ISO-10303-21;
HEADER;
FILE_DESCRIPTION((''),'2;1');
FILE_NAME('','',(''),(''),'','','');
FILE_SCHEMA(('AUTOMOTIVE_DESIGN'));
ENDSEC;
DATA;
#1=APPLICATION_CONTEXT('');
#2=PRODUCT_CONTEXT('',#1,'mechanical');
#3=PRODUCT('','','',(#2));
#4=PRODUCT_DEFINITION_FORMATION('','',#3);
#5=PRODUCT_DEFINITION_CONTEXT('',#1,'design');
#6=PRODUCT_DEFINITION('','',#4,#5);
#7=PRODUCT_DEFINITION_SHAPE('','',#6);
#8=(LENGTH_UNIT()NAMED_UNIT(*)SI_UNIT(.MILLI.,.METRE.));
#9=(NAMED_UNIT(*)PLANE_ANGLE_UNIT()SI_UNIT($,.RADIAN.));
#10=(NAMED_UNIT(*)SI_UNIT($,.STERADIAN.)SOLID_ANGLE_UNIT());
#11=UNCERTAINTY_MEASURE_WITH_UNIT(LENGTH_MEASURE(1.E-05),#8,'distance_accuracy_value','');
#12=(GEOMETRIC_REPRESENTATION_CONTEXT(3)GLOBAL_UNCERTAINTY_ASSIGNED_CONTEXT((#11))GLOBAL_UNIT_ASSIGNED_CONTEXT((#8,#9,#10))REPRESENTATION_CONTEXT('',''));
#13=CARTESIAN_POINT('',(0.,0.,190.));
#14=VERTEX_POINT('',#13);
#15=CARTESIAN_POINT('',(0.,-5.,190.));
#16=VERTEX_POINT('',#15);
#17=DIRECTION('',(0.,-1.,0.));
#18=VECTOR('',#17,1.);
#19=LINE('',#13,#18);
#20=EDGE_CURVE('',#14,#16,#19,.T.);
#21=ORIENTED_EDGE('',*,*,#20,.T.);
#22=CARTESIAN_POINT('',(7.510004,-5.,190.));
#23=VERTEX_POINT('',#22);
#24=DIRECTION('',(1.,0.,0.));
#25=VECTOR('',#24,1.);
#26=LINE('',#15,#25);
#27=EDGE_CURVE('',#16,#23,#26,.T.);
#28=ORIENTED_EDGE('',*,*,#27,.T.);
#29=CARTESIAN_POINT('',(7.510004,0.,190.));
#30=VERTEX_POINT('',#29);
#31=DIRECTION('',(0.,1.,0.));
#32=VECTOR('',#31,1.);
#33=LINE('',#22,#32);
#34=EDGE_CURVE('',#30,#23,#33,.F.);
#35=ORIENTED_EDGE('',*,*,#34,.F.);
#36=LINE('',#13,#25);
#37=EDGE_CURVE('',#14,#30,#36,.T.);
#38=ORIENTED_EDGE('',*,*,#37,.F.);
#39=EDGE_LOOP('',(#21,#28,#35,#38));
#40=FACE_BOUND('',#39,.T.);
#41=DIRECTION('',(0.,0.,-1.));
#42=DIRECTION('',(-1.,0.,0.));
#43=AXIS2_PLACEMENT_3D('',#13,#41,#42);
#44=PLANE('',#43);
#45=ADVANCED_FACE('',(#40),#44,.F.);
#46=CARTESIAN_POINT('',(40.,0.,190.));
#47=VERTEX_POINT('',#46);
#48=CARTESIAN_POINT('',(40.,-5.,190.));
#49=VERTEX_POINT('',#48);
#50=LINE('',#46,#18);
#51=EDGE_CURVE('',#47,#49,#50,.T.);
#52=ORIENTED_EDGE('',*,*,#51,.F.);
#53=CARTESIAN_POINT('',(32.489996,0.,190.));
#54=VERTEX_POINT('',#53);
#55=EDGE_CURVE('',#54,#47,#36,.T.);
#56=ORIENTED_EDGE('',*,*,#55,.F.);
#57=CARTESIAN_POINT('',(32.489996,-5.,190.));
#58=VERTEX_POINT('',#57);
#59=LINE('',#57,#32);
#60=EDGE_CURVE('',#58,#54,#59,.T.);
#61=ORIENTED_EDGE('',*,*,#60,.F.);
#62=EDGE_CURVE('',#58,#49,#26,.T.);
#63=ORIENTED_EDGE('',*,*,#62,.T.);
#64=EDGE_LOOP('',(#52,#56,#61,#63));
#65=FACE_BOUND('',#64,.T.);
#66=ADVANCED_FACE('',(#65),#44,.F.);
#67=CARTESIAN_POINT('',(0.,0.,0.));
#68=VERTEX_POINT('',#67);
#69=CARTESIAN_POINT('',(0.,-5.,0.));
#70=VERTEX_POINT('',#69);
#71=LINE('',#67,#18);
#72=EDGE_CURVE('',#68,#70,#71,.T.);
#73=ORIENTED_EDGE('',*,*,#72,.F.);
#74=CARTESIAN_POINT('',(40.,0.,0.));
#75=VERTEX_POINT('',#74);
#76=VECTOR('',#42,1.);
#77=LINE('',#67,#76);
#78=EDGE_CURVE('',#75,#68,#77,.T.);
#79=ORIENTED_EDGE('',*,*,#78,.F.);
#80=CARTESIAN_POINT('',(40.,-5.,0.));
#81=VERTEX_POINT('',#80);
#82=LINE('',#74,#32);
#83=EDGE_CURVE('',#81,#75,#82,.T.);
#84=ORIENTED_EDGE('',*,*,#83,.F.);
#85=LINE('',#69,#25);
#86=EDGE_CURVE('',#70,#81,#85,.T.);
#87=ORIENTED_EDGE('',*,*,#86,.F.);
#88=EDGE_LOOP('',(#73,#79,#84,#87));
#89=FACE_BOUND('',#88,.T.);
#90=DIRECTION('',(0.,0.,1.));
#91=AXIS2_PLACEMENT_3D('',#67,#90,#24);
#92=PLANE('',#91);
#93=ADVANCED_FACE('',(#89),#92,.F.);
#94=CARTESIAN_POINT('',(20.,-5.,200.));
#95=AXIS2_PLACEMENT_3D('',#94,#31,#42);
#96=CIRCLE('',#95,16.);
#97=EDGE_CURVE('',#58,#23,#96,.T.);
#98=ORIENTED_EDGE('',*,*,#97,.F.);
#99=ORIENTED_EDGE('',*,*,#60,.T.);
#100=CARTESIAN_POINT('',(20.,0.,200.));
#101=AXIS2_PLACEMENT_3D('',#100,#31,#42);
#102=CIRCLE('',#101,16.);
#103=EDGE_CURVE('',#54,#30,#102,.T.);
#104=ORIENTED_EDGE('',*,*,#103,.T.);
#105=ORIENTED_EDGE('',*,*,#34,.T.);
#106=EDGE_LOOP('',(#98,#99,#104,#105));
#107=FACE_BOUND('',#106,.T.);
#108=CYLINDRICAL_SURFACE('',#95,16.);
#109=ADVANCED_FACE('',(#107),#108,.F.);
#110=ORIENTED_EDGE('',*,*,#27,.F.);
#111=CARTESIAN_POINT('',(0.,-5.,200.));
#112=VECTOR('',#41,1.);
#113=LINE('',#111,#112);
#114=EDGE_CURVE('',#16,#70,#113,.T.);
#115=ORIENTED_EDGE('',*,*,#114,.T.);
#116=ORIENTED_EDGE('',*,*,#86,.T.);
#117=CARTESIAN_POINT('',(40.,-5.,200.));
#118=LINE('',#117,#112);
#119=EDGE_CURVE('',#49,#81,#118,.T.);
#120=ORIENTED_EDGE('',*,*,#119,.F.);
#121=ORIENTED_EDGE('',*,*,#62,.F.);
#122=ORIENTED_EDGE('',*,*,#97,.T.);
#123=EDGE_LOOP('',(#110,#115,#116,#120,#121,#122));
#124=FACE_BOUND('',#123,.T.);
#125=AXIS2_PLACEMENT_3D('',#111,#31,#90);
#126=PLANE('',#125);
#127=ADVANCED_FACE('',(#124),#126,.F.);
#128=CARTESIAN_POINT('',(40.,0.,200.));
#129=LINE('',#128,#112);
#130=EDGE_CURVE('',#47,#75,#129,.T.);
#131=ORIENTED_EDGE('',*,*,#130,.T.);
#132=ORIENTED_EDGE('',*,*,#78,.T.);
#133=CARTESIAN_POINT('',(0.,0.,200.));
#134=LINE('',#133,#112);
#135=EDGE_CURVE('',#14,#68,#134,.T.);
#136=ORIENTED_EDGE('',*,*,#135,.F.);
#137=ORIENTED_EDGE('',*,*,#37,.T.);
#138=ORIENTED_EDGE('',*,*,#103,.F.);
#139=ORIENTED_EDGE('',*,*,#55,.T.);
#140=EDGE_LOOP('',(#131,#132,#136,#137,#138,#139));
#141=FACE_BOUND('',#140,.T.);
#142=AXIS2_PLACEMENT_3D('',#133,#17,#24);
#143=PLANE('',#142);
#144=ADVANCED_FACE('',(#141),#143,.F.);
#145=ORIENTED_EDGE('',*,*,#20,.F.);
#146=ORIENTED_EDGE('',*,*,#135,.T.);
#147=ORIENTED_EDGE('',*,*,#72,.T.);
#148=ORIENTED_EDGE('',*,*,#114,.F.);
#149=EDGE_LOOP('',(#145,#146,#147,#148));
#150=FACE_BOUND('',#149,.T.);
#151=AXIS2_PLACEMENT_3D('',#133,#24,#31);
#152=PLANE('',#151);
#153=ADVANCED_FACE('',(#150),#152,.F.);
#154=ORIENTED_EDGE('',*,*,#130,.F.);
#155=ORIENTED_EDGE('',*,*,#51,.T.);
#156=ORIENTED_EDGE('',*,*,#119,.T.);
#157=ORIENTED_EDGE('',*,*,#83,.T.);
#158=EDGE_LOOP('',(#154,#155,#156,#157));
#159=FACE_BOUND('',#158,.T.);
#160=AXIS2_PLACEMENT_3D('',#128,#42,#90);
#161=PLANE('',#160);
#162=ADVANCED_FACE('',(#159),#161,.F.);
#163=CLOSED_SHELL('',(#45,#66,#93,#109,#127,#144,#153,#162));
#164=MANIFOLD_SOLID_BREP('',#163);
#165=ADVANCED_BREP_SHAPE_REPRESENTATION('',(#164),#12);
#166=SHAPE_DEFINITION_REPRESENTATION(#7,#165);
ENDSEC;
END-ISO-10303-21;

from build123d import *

# Parameters (mm, degrees)
SKETCH_1_W          = 40
SKETCH_1_H          = 5
EXTRUDE_1_DEPTH     = 200
SKETCH_2_R          = 16
CUT_EXTRUDE_1_DEPTH = 6
SKETCH_3_W          = 40
SKETCH_3_H          = 10
CUT_EXTRUDE_2_DEPTH = 6


with BuildPart() as part:
    # Эскиз1 → Бобышка-Вытянуть1 (new body)
    with BuildSketch(Plane.XY):
        with Locations((20, -2.5)):
            Rectangle(SKETCH_1_W, SKETCH_1_H)
    extrude(amount=EXTRUDE_1_DEPTH)

    # Эскиз2 → Вырез-Вытянуть1 (cut, through all)
    with BuildSketch(Plane(origin=(0, 0, 0), x_dir=(1, 0, 0), z_dir=(0, 1, 0))):
        with Locations((20, -200)):
            Circle(SKETCH_2_R)
    extrude(amount=-CUT_EXTRUDE_1_DEPTH, mode=Mode.SUBTRACT)

    # Эскиз3 → Вырез-Вытянуть2 (cut, through all)
    with BuildSketch(Plane.XZ.offset(5)):
        with Locations((20, 195)):
            Rectangle(SKETCH_3_W, SKETCH_3_H)
    extrude(amount=-CUT_EXTRUDE_2_DEPTH, mode=Mode.SUBTRACT)


solid = part.part
